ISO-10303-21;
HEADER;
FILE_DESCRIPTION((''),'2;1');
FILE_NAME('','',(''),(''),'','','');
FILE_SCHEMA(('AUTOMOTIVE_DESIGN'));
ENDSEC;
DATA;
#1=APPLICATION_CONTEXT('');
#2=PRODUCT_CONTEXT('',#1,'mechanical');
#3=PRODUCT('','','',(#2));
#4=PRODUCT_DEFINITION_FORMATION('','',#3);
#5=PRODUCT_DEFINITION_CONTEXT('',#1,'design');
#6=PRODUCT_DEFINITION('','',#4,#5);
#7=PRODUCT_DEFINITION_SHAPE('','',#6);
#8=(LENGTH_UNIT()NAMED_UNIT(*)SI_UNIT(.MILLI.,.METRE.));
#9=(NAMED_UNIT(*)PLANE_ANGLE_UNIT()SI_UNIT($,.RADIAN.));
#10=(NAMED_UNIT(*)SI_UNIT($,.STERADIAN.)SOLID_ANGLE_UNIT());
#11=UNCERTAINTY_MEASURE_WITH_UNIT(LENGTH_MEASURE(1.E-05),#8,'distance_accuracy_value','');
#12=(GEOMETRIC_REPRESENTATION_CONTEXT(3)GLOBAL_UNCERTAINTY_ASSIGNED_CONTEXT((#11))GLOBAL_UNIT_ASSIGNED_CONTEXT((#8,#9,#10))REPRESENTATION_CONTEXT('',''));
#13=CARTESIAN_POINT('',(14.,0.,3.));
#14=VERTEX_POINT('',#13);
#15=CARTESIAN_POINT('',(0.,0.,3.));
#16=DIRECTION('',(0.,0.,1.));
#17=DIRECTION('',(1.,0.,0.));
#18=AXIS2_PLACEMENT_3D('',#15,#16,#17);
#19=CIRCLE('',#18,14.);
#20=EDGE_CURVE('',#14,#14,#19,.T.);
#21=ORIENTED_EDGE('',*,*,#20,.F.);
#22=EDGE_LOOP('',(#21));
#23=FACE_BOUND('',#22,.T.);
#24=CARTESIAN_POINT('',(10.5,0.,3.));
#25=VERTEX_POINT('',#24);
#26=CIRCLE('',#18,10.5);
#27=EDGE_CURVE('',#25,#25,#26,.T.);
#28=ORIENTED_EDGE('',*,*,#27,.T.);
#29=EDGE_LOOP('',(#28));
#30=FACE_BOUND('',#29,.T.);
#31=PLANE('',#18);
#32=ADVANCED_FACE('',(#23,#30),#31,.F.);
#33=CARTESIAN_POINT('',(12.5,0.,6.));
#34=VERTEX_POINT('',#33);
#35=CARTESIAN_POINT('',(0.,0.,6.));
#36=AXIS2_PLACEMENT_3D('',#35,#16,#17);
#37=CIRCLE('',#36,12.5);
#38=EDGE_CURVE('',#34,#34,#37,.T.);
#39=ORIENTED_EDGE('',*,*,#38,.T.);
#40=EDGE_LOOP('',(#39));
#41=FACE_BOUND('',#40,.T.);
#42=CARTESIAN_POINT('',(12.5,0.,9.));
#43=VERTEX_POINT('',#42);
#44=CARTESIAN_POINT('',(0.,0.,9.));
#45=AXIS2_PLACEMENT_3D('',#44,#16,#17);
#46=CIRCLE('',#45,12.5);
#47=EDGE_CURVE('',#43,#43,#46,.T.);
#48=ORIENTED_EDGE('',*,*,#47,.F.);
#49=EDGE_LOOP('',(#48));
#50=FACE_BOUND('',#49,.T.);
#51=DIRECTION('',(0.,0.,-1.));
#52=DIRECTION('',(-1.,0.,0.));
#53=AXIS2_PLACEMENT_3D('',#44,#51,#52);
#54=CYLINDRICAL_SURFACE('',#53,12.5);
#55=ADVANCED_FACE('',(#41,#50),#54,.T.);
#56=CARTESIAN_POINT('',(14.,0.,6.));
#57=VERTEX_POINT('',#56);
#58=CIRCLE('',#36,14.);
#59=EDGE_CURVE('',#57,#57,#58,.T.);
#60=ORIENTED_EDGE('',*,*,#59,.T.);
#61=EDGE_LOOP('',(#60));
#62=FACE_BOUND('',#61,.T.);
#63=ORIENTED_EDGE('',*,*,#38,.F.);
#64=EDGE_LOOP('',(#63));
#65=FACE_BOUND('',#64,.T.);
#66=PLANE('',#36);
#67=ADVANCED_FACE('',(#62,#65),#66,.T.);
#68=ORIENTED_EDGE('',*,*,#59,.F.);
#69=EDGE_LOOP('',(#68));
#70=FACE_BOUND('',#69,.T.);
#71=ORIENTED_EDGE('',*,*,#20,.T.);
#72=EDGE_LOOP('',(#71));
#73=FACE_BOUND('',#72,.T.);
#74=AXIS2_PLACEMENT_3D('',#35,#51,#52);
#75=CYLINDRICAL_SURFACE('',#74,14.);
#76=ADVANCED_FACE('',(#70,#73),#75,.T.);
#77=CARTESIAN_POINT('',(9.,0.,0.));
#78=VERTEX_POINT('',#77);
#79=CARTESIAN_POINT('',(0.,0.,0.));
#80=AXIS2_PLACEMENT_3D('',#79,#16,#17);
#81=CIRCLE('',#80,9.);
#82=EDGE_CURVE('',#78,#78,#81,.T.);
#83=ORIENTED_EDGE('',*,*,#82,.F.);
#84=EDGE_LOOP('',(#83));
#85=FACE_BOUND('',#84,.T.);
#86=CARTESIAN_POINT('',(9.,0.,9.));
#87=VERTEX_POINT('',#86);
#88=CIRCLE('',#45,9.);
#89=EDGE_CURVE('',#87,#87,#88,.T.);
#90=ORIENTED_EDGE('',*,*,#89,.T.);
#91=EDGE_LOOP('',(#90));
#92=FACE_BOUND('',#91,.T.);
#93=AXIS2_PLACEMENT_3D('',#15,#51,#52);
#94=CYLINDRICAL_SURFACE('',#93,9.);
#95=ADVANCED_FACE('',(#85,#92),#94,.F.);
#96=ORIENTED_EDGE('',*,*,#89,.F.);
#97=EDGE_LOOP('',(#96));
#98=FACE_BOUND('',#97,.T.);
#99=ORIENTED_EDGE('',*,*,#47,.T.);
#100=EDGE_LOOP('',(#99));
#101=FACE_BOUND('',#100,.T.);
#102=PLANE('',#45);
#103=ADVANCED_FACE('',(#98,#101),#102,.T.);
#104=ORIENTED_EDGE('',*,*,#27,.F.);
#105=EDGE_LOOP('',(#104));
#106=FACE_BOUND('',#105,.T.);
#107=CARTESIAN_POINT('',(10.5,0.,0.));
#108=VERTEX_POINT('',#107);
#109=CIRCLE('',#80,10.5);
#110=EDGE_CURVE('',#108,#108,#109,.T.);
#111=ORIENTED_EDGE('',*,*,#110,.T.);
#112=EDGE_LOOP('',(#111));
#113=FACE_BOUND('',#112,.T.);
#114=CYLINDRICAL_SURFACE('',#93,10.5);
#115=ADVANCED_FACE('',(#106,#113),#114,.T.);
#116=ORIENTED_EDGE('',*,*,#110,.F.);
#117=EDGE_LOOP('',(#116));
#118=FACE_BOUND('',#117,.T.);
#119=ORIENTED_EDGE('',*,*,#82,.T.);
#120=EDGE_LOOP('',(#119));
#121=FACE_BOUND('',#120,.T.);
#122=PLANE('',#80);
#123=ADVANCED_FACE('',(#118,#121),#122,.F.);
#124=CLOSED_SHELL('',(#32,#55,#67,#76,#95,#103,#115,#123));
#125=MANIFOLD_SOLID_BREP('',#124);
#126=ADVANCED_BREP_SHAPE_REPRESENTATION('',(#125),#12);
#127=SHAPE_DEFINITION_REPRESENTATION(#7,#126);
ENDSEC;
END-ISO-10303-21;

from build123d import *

# Parameters (mm, degrees)
SKETCH_1_R      = 10.5
SKETCH_1_R_2    = 9
EXTRUDE_1_DEPTH = 3
SKETCH_2_R      = 14
SKETCH_2_R_2    = 9
EXTRUDE_2_DEPTH = 3
SKETCH_3_R      = 12.5
SKETCH_3_R_2    = 9
EXTRUDE_3_DEPTH = 3


with BuildPart() as part:
    # 草图1 → 凸台-拉伸1 (new body)
    with BuildSketch(Plane.XY):
        Circle(SKETCH_1_R)
        Circle(SKETCH_1_R_2, mode=Mode.SUBTRACT)
    extrude(amount=EXTRUDE_1_DEPTH)

    # 草图2 → 凸台-拉伸2 (add)
    with BuildSketch(Plane.XY.offset(3)):
        Circle(SKETCH_2_R)
        Circle(SKETCH_2_R_2, mode=Mode.SUBTRACT)
    extrude(amount=EXTRUDE_2_DEPTH)

    # 草图3 → 凸台-拉伸3 (add)
    with BuildSketch(Plane.XY.offset(6)):
        Circle(SKETCH_3_R)
        Circle(SKETCH_3_R_2, mode=Mode.SUBTRACT)
    extrude(amount=EXTRUDE_3_DEPTH)


solid = part.part
